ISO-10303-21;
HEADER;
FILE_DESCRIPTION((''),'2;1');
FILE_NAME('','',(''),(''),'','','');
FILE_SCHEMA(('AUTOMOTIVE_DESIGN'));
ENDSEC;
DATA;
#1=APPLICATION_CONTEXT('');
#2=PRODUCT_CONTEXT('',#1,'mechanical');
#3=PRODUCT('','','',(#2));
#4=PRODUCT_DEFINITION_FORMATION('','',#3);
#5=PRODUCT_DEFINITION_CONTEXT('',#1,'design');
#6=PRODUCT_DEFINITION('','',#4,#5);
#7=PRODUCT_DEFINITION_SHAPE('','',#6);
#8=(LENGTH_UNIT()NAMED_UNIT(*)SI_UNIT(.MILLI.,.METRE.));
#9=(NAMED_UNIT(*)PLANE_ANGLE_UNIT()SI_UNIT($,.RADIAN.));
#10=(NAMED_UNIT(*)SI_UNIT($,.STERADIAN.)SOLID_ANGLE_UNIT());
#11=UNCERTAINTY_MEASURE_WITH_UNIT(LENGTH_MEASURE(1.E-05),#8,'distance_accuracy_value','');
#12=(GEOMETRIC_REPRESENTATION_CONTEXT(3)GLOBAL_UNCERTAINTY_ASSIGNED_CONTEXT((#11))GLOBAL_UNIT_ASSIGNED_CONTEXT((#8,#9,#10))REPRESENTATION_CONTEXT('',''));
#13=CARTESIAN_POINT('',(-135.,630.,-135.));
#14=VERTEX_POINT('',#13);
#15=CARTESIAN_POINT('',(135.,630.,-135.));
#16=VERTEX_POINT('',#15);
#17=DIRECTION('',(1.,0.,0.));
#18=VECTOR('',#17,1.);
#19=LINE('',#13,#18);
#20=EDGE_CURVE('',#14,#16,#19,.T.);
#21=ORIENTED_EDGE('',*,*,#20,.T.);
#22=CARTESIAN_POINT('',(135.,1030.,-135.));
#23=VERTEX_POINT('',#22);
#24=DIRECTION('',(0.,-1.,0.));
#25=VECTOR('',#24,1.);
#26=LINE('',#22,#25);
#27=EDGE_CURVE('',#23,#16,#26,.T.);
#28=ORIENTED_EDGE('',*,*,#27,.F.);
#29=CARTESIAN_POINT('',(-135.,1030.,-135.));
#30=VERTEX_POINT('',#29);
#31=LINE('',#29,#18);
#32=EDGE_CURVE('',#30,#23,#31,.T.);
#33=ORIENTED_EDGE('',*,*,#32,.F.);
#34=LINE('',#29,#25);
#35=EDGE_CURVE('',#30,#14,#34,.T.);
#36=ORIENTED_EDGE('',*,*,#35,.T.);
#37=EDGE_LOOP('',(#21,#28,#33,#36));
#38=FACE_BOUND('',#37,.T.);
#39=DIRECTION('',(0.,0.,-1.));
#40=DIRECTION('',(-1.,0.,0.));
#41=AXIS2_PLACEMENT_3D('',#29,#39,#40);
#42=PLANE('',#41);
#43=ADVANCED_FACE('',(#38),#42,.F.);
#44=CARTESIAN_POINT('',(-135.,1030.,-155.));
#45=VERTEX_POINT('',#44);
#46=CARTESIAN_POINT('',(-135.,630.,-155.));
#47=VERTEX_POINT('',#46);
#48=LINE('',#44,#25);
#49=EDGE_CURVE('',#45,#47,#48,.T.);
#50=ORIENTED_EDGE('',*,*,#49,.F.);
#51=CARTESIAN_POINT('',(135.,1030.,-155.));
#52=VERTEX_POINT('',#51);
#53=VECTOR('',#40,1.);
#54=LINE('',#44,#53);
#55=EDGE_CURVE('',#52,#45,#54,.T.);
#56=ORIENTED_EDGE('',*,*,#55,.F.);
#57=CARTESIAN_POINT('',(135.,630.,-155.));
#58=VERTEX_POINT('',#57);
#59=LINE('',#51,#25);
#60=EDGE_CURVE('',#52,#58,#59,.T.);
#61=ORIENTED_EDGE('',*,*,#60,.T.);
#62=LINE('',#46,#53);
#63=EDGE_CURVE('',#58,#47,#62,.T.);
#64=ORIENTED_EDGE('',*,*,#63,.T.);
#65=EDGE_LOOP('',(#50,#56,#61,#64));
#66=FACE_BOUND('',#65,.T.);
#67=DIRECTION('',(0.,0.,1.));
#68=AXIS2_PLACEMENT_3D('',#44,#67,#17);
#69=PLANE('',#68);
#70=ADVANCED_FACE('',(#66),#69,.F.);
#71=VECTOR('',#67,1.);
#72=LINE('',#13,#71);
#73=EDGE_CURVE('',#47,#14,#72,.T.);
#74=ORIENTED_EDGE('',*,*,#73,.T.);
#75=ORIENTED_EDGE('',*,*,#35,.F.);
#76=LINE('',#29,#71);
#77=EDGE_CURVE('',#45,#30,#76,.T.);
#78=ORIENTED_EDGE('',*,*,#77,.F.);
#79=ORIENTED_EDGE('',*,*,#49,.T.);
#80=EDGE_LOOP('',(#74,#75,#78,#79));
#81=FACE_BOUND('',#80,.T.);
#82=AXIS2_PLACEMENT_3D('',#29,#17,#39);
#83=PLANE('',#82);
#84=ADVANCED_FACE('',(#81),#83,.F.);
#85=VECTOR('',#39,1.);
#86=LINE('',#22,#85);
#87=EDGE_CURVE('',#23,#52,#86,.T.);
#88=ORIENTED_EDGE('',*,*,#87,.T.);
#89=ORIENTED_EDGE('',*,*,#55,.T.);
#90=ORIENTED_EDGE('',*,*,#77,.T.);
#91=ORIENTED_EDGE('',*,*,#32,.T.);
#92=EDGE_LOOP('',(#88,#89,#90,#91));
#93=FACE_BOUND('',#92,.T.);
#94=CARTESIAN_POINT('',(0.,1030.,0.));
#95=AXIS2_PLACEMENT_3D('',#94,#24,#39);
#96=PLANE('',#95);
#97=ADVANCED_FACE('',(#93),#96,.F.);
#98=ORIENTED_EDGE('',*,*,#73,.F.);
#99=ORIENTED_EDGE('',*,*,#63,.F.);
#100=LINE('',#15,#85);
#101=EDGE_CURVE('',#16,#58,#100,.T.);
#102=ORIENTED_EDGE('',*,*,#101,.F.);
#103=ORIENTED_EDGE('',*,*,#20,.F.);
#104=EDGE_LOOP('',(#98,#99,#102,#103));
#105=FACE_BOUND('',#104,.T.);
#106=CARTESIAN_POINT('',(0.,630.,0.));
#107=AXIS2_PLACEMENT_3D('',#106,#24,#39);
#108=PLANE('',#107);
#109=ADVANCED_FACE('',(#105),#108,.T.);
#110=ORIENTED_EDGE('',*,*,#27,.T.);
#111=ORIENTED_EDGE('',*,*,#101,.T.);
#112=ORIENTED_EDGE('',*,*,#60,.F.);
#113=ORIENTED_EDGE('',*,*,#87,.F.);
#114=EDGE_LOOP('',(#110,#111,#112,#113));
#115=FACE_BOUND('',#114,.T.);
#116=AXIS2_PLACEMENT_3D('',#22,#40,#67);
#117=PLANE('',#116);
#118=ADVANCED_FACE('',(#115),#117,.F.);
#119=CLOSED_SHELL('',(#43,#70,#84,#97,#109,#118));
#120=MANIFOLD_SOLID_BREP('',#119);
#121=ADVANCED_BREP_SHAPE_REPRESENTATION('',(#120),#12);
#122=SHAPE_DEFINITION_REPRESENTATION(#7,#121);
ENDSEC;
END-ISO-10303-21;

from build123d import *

# Parameters (mm, degrees)
SKCAJASUJETADORASUR_W   = 270
SKCAJASUJETADORASUR_H   = 20
CAJASUJETADORASUR_DEPTH = 400


with BuildPart() as part:
    # SkCajaSujetadoraSur → CajaSujetadoraSur (new body)
    with BuildSketch(Plane(origin=(0, 630, 0), x_dir=(1, 0, 0), z_dir=(0, 1, 0))):
        with Locations((0, 145)):
            Rectangle(SKCAJASUJETADORASUR_W, SKCAJASUJETADORASUR_H)
    extrude(amount=CAJASUJETADORASUR_DEPTH)


solid = part.part
